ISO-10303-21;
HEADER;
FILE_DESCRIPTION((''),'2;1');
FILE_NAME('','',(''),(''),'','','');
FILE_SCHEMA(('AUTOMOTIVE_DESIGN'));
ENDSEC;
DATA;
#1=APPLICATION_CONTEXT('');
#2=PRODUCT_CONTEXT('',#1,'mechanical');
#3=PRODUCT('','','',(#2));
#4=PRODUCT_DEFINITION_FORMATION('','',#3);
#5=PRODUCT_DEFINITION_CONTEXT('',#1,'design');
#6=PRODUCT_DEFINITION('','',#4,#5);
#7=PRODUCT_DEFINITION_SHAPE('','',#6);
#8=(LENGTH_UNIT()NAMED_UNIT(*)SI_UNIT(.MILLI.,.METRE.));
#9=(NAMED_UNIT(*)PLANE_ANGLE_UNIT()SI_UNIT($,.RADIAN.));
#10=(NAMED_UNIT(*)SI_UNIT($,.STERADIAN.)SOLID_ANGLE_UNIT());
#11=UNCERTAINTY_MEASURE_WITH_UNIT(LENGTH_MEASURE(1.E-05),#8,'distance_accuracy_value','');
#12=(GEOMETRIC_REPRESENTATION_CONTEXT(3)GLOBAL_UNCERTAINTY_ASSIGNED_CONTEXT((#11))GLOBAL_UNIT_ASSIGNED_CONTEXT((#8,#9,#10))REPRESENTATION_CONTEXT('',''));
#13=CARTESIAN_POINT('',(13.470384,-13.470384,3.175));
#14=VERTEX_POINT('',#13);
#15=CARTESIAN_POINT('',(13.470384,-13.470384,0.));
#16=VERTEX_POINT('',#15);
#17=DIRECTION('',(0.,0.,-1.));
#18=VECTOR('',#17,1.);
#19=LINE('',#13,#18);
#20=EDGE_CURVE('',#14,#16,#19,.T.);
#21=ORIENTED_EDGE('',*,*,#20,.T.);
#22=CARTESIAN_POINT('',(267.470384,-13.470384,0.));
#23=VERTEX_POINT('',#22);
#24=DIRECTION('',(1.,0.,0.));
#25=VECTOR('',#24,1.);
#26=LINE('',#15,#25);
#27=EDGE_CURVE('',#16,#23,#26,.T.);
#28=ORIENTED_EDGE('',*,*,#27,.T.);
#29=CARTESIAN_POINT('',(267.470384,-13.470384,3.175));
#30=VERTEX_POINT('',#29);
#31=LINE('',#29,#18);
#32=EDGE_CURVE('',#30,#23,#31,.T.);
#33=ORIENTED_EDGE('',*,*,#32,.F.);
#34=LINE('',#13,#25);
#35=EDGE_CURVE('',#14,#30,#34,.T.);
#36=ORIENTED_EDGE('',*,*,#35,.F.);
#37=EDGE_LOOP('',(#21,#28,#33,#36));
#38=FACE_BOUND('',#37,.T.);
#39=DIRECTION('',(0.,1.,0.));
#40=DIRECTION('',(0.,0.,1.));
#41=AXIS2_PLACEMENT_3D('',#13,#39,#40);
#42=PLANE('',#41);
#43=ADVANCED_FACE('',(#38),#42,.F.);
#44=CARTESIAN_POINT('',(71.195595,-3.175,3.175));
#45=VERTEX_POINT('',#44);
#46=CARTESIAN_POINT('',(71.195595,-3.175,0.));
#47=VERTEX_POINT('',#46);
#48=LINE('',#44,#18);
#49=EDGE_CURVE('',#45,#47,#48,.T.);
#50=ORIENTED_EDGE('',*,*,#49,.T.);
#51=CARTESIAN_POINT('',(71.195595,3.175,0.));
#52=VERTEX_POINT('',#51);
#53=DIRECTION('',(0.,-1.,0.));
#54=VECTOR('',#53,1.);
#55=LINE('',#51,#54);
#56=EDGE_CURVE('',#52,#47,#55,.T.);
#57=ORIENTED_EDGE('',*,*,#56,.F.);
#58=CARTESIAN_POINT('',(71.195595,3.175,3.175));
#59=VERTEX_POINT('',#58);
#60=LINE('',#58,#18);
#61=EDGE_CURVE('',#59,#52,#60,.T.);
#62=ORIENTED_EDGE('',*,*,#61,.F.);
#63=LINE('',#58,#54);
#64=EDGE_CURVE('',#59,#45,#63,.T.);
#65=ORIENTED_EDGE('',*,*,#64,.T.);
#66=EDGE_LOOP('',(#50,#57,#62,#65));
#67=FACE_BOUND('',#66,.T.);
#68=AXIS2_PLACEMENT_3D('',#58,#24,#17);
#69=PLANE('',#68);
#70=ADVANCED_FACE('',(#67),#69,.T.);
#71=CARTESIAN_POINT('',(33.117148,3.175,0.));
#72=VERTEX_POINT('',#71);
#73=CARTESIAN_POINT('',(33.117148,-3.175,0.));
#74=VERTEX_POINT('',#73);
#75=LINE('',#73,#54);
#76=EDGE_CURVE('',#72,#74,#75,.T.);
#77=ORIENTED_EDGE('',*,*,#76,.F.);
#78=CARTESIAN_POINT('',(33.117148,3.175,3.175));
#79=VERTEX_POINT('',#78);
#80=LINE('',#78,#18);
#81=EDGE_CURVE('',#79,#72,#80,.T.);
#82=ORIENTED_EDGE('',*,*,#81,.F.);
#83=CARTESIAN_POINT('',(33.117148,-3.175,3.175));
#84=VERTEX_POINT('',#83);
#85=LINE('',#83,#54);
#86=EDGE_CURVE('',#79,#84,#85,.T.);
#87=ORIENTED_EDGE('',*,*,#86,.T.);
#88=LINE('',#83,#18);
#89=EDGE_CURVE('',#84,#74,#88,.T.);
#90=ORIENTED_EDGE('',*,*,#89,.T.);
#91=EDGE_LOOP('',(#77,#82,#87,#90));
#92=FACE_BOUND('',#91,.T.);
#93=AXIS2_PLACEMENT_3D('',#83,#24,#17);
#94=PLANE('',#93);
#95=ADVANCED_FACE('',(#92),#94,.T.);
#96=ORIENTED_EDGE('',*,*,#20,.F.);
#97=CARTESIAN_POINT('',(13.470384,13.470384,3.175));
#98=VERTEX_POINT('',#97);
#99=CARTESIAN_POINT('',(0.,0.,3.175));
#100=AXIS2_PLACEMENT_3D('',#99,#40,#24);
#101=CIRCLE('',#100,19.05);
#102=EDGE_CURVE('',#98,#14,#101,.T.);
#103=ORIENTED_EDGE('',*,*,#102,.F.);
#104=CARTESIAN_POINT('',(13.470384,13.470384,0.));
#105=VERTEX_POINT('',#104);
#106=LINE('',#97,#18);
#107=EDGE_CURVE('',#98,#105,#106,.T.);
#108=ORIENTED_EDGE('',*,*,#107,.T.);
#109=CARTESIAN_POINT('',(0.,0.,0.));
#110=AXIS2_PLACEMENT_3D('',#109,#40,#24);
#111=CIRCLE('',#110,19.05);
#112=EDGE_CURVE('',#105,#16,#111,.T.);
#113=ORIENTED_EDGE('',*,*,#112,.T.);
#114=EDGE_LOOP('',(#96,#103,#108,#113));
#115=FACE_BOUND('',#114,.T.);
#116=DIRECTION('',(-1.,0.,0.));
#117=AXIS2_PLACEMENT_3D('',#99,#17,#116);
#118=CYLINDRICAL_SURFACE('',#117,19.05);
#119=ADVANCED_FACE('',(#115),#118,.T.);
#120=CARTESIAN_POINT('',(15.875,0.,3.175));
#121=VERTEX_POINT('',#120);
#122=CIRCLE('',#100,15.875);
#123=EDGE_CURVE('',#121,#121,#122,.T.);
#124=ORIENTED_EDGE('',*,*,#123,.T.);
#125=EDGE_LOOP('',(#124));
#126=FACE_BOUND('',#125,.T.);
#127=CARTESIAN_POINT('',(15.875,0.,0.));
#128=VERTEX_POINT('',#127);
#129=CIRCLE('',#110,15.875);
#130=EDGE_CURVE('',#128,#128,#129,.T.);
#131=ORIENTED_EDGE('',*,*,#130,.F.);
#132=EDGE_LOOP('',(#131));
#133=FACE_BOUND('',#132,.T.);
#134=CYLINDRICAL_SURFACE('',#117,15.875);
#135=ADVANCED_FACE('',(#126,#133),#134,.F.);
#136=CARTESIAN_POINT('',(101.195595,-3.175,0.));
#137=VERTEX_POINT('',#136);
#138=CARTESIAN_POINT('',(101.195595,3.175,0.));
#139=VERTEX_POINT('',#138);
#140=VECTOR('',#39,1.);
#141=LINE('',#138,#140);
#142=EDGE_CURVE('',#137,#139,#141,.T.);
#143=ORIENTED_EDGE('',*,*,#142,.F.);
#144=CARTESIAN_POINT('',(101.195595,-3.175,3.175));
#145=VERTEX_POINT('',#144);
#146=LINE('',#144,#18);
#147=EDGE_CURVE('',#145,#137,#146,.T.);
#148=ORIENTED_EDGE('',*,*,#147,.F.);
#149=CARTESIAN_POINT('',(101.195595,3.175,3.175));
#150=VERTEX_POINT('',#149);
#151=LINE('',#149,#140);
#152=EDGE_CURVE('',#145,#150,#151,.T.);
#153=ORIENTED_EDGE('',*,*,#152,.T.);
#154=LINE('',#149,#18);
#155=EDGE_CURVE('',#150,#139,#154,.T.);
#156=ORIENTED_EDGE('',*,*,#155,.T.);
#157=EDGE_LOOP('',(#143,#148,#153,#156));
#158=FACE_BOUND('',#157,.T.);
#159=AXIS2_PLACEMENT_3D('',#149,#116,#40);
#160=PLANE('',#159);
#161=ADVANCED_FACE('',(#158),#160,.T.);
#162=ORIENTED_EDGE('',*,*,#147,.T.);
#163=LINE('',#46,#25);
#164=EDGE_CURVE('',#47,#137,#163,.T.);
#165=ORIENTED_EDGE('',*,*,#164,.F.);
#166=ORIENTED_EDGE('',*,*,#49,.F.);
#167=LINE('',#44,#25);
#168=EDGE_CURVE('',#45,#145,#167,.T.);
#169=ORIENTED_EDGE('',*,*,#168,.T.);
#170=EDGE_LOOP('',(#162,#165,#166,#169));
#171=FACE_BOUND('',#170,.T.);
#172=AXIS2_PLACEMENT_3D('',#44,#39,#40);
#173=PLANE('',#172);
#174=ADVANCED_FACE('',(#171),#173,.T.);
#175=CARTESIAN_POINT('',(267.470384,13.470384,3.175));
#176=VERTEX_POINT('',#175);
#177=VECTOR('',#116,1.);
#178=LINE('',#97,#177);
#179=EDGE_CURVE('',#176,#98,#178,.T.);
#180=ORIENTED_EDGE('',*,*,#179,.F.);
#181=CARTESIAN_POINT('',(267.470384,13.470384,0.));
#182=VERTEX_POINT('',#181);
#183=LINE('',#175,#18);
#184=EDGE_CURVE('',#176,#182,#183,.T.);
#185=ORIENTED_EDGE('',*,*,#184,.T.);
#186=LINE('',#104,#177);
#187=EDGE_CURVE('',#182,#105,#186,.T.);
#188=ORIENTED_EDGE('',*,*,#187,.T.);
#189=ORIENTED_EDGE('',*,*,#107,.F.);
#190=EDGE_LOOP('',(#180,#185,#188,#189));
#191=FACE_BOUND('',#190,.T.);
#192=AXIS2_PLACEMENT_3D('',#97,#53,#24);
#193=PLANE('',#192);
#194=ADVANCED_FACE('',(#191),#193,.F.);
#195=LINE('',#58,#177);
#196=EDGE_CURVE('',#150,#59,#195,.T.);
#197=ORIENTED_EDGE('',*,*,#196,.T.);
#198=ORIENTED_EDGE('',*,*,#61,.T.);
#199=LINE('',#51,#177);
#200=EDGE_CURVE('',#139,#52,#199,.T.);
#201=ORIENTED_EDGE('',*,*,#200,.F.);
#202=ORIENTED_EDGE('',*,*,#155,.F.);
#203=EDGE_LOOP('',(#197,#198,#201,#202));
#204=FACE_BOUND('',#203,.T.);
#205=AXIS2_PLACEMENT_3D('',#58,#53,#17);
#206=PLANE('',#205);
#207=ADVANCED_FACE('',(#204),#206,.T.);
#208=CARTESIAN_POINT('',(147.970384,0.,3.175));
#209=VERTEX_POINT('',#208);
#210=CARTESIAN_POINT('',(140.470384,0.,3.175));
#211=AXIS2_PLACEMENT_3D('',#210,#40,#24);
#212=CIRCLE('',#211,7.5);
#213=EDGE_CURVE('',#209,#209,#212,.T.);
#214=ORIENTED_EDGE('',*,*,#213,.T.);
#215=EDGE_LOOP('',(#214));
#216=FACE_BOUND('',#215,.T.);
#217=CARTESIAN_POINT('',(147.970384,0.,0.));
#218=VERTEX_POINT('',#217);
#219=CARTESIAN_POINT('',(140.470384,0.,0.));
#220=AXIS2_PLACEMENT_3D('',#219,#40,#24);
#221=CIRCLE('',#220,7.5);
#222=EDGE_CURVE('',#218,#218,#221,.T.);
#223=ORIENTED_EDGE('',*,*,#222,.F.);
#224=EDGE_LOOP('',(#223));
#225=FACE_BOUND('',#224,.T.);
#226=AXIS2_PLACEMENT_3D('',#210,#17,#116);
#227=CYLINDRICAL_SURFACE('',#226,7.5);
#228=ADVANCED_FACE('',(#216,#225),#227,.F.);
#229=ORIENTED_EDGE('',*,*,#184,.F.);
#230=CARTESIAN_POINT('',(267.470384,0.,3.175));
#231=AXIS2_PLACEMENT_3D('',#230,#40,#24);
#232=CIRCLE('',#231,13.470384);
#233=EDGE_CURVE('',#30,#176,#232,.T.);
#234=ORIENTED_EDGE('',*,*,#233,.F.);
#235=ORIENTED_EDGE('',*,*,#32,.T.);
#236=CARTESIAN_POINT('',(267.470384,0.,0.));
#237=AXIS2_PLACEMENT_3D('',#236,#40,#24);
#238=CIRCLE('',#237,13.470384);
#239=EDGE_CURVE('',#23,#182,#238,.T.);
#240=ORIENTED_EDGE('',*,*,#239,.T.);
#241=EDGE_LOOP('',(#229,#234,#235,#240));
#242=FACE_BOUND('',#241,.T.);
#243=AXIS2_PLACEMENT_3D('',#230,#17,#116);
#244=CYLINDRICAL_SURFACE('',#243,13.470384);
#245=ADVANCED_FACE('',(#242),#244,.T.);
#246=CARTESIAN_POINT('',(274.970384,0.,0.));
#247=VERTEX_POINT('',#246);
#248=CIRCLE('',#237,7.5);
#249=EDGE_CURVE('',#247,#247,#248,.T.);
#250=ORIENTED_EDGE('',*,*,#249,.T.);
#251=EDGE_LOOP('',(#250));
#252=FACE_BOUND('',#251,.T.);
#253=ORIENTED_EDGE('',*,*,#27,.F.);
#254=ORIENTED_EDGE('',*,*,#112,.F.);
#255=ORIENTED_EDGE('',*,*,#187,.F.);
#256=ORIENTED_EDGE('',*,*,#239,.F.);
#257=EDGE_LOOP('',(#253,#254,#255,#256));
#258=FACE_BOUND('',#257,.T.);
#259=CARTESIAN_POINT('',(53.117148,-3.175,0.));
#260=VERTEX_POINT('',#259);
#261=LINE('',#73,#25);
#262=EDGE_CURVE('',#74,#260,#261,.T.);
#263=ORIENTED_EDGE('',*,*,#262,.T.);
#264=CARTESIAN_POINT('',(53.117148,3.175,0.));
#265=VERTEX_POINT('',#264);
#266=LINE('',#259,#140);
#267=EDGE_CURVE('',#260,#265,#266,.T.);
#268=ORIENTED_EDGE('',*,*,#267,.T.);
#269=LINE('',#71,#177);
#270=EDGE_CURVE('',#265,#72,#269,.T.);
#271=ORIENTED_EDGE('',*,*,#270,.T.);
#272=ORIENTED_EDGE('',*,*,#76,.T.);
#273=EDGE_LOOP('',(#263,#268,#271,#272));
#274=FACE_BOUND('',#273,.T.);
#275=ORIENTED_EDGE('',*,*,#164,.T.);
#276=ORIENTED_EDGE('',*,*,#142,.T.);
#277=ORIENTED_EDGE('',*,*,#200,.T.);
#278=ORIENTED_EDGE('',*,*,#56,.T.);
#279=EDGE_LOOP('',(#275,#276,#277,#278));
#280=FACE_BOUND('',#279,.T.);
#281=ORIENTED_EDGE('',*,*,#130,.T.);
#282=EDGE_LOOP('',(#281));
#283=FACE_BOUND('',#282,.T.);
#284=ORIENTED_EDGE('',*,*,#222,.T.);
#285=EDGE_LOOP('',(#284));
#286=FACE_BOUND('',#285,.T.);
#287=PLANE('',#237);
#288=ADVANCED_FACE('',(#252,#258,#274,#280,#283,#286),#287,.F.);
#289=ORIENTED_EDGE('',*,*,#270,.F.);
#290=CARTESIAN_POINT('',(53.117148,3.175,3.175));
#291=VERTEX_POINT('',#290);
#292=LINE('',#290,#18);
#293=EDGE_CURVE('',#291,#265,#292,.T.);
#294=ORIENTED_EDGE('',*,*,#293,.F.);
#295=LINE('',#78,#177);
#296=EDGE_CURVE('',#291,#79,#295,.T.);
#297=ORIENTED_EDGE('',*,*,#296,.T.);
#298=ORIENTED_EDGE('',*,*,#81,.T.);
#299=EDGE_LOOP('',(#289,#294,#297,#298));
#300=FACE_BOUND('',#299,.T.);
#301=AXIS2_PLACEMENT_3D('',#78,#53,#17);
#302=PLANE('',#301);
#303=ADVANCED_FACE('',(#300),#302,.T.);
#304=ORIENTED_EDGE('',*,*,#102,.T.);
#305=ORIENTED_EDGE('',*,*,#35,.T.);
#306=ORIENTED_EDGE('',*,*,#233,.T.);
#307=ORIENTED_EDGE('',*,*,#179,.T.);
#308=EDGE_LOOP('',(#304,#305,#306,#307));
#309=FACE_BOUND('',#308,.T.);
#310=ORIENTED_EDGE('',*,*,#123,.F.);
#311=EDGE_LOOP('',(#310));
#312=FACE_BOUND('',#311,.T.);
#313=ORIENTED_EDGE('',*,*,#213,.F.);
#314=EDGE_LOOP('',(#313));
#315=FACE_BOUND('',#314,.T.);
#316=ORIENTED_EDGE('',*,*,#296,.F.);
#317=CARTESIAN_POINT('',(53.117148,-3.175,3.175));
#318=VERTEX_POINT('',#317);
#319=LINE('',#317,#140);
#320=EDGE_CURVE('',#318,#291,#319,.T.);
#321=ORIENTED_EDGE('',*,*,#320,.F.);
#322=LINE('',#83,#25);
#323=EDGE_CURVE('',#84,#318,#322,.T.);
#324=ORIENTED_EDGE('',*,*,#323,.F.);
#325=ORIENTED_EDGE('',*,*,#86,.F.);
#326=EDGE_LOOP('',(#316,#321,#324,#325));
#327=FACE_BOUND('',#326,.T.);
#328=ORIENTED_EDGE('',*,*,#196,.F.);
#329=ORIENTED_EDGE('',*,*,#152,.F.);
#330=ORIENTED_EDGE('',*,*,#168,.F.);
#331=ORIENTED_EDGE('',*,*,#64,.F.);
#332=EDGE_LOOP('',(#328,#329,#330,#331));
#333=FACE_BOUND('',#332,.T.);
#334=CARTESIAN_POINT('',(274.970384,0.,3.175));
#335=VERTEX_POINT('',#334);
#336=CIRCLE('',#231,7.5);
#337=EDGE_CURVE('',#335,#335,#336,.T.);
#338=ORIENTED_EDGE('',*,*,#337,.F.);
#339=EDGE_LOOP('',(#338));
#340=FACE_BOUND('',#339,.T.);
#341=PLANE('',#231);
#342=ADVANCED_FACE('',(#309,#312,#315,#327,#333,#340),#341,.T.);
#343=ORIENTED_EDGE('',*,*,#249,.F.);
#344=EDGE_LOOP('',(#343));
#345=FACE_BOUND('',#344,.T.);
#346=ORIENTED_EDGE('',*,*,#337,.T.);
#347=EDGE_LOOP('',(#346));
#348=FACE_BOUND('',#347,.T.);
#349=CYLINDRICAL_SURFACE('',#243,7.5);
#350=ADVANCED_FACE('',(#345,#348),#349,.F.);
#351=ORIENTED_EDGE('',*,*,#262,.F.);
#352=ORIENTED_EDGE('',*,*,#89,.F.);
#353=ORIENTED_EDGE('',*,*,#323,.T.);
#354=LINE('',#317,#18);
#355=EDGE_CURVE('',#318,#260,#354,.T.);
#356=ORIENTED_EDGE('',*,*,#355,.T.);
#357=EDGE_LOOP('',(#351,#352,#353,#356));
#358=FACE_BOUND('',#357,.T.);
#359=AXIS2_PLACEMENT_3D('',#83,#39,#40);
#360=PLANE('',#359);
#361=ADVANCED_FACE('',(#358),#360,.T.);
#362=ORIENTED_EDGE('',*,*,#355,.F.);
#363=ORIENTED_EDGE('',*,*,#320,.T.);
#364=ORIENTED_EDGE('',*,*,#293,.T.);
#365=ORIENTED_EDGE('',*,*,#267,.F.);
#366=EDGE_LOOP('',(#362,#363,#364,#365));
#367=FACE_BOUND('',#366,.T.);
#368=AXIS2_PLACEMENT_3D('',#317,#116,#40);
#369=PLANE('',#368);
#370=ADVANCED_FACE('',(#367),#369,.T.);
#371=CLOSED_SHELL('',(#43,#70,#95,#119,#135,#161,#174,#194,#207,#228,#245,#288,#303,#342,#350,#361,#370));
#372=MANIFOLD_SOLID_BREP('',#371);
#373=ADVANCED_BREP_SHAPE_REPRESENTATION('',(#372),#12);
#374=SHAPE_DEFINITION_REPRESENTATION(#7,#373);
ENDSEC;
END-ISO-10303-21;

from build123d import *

# Parameters (mm, degrees)
SKETCH1_R           = 15.875
SKETCH1_R_2         = 7.5
SKETCH1_W           = 20
SKETCH1_H           = 6.35
SKETCH1_W_2         = 30
BOSS_EXTRUDE1_DEPTH = 3.175


with BuildPart() as part:
    # Sketch1 → Boss-Extrude1 (new body)
    with BuildSketch(Plane.XY):
        with BuildLine():
            Line((13.470384182, 13.470384182), (267.470384182, 13.470384182))
            ThreePointArc((267.470384182, 13.470384182), (280.940768363, 0), (267.470384182, -13.470384182))
            Line((267.470384182, -13.470384182), (13.470384182, -13.470384182))
            ThreePointArc((13.470384182, -13.470384182), (-19.05, 0), (13.470384182, 13.470384182))
        make_face()
        Circle(SKETCH1_R, mode=Mode.SUBTRACT)
        with Locations((267.470384182, 0)):
            Circle(SKETCH1_R_2, mode=Mode.SUBTRACT)
        with Locations((140.470384182, 0)):
            Circle(SKETCH1_R_2, mode=Mode.SUBTRACT)
        with Locations((43.11714777, 0)):
            Rectangle(SKETCH1_W, SKETCH1_H, mode=Mode.SUBTRACT)
        with Locations((86.195594821, 0)):
            Rectangle(SKETCH1_W_2, SKETCH1_H, mode=Mode.SUBTRACT)
    extrude(amount=BOSS_EXTRUDE1_DEPTH)


solid = part.part
